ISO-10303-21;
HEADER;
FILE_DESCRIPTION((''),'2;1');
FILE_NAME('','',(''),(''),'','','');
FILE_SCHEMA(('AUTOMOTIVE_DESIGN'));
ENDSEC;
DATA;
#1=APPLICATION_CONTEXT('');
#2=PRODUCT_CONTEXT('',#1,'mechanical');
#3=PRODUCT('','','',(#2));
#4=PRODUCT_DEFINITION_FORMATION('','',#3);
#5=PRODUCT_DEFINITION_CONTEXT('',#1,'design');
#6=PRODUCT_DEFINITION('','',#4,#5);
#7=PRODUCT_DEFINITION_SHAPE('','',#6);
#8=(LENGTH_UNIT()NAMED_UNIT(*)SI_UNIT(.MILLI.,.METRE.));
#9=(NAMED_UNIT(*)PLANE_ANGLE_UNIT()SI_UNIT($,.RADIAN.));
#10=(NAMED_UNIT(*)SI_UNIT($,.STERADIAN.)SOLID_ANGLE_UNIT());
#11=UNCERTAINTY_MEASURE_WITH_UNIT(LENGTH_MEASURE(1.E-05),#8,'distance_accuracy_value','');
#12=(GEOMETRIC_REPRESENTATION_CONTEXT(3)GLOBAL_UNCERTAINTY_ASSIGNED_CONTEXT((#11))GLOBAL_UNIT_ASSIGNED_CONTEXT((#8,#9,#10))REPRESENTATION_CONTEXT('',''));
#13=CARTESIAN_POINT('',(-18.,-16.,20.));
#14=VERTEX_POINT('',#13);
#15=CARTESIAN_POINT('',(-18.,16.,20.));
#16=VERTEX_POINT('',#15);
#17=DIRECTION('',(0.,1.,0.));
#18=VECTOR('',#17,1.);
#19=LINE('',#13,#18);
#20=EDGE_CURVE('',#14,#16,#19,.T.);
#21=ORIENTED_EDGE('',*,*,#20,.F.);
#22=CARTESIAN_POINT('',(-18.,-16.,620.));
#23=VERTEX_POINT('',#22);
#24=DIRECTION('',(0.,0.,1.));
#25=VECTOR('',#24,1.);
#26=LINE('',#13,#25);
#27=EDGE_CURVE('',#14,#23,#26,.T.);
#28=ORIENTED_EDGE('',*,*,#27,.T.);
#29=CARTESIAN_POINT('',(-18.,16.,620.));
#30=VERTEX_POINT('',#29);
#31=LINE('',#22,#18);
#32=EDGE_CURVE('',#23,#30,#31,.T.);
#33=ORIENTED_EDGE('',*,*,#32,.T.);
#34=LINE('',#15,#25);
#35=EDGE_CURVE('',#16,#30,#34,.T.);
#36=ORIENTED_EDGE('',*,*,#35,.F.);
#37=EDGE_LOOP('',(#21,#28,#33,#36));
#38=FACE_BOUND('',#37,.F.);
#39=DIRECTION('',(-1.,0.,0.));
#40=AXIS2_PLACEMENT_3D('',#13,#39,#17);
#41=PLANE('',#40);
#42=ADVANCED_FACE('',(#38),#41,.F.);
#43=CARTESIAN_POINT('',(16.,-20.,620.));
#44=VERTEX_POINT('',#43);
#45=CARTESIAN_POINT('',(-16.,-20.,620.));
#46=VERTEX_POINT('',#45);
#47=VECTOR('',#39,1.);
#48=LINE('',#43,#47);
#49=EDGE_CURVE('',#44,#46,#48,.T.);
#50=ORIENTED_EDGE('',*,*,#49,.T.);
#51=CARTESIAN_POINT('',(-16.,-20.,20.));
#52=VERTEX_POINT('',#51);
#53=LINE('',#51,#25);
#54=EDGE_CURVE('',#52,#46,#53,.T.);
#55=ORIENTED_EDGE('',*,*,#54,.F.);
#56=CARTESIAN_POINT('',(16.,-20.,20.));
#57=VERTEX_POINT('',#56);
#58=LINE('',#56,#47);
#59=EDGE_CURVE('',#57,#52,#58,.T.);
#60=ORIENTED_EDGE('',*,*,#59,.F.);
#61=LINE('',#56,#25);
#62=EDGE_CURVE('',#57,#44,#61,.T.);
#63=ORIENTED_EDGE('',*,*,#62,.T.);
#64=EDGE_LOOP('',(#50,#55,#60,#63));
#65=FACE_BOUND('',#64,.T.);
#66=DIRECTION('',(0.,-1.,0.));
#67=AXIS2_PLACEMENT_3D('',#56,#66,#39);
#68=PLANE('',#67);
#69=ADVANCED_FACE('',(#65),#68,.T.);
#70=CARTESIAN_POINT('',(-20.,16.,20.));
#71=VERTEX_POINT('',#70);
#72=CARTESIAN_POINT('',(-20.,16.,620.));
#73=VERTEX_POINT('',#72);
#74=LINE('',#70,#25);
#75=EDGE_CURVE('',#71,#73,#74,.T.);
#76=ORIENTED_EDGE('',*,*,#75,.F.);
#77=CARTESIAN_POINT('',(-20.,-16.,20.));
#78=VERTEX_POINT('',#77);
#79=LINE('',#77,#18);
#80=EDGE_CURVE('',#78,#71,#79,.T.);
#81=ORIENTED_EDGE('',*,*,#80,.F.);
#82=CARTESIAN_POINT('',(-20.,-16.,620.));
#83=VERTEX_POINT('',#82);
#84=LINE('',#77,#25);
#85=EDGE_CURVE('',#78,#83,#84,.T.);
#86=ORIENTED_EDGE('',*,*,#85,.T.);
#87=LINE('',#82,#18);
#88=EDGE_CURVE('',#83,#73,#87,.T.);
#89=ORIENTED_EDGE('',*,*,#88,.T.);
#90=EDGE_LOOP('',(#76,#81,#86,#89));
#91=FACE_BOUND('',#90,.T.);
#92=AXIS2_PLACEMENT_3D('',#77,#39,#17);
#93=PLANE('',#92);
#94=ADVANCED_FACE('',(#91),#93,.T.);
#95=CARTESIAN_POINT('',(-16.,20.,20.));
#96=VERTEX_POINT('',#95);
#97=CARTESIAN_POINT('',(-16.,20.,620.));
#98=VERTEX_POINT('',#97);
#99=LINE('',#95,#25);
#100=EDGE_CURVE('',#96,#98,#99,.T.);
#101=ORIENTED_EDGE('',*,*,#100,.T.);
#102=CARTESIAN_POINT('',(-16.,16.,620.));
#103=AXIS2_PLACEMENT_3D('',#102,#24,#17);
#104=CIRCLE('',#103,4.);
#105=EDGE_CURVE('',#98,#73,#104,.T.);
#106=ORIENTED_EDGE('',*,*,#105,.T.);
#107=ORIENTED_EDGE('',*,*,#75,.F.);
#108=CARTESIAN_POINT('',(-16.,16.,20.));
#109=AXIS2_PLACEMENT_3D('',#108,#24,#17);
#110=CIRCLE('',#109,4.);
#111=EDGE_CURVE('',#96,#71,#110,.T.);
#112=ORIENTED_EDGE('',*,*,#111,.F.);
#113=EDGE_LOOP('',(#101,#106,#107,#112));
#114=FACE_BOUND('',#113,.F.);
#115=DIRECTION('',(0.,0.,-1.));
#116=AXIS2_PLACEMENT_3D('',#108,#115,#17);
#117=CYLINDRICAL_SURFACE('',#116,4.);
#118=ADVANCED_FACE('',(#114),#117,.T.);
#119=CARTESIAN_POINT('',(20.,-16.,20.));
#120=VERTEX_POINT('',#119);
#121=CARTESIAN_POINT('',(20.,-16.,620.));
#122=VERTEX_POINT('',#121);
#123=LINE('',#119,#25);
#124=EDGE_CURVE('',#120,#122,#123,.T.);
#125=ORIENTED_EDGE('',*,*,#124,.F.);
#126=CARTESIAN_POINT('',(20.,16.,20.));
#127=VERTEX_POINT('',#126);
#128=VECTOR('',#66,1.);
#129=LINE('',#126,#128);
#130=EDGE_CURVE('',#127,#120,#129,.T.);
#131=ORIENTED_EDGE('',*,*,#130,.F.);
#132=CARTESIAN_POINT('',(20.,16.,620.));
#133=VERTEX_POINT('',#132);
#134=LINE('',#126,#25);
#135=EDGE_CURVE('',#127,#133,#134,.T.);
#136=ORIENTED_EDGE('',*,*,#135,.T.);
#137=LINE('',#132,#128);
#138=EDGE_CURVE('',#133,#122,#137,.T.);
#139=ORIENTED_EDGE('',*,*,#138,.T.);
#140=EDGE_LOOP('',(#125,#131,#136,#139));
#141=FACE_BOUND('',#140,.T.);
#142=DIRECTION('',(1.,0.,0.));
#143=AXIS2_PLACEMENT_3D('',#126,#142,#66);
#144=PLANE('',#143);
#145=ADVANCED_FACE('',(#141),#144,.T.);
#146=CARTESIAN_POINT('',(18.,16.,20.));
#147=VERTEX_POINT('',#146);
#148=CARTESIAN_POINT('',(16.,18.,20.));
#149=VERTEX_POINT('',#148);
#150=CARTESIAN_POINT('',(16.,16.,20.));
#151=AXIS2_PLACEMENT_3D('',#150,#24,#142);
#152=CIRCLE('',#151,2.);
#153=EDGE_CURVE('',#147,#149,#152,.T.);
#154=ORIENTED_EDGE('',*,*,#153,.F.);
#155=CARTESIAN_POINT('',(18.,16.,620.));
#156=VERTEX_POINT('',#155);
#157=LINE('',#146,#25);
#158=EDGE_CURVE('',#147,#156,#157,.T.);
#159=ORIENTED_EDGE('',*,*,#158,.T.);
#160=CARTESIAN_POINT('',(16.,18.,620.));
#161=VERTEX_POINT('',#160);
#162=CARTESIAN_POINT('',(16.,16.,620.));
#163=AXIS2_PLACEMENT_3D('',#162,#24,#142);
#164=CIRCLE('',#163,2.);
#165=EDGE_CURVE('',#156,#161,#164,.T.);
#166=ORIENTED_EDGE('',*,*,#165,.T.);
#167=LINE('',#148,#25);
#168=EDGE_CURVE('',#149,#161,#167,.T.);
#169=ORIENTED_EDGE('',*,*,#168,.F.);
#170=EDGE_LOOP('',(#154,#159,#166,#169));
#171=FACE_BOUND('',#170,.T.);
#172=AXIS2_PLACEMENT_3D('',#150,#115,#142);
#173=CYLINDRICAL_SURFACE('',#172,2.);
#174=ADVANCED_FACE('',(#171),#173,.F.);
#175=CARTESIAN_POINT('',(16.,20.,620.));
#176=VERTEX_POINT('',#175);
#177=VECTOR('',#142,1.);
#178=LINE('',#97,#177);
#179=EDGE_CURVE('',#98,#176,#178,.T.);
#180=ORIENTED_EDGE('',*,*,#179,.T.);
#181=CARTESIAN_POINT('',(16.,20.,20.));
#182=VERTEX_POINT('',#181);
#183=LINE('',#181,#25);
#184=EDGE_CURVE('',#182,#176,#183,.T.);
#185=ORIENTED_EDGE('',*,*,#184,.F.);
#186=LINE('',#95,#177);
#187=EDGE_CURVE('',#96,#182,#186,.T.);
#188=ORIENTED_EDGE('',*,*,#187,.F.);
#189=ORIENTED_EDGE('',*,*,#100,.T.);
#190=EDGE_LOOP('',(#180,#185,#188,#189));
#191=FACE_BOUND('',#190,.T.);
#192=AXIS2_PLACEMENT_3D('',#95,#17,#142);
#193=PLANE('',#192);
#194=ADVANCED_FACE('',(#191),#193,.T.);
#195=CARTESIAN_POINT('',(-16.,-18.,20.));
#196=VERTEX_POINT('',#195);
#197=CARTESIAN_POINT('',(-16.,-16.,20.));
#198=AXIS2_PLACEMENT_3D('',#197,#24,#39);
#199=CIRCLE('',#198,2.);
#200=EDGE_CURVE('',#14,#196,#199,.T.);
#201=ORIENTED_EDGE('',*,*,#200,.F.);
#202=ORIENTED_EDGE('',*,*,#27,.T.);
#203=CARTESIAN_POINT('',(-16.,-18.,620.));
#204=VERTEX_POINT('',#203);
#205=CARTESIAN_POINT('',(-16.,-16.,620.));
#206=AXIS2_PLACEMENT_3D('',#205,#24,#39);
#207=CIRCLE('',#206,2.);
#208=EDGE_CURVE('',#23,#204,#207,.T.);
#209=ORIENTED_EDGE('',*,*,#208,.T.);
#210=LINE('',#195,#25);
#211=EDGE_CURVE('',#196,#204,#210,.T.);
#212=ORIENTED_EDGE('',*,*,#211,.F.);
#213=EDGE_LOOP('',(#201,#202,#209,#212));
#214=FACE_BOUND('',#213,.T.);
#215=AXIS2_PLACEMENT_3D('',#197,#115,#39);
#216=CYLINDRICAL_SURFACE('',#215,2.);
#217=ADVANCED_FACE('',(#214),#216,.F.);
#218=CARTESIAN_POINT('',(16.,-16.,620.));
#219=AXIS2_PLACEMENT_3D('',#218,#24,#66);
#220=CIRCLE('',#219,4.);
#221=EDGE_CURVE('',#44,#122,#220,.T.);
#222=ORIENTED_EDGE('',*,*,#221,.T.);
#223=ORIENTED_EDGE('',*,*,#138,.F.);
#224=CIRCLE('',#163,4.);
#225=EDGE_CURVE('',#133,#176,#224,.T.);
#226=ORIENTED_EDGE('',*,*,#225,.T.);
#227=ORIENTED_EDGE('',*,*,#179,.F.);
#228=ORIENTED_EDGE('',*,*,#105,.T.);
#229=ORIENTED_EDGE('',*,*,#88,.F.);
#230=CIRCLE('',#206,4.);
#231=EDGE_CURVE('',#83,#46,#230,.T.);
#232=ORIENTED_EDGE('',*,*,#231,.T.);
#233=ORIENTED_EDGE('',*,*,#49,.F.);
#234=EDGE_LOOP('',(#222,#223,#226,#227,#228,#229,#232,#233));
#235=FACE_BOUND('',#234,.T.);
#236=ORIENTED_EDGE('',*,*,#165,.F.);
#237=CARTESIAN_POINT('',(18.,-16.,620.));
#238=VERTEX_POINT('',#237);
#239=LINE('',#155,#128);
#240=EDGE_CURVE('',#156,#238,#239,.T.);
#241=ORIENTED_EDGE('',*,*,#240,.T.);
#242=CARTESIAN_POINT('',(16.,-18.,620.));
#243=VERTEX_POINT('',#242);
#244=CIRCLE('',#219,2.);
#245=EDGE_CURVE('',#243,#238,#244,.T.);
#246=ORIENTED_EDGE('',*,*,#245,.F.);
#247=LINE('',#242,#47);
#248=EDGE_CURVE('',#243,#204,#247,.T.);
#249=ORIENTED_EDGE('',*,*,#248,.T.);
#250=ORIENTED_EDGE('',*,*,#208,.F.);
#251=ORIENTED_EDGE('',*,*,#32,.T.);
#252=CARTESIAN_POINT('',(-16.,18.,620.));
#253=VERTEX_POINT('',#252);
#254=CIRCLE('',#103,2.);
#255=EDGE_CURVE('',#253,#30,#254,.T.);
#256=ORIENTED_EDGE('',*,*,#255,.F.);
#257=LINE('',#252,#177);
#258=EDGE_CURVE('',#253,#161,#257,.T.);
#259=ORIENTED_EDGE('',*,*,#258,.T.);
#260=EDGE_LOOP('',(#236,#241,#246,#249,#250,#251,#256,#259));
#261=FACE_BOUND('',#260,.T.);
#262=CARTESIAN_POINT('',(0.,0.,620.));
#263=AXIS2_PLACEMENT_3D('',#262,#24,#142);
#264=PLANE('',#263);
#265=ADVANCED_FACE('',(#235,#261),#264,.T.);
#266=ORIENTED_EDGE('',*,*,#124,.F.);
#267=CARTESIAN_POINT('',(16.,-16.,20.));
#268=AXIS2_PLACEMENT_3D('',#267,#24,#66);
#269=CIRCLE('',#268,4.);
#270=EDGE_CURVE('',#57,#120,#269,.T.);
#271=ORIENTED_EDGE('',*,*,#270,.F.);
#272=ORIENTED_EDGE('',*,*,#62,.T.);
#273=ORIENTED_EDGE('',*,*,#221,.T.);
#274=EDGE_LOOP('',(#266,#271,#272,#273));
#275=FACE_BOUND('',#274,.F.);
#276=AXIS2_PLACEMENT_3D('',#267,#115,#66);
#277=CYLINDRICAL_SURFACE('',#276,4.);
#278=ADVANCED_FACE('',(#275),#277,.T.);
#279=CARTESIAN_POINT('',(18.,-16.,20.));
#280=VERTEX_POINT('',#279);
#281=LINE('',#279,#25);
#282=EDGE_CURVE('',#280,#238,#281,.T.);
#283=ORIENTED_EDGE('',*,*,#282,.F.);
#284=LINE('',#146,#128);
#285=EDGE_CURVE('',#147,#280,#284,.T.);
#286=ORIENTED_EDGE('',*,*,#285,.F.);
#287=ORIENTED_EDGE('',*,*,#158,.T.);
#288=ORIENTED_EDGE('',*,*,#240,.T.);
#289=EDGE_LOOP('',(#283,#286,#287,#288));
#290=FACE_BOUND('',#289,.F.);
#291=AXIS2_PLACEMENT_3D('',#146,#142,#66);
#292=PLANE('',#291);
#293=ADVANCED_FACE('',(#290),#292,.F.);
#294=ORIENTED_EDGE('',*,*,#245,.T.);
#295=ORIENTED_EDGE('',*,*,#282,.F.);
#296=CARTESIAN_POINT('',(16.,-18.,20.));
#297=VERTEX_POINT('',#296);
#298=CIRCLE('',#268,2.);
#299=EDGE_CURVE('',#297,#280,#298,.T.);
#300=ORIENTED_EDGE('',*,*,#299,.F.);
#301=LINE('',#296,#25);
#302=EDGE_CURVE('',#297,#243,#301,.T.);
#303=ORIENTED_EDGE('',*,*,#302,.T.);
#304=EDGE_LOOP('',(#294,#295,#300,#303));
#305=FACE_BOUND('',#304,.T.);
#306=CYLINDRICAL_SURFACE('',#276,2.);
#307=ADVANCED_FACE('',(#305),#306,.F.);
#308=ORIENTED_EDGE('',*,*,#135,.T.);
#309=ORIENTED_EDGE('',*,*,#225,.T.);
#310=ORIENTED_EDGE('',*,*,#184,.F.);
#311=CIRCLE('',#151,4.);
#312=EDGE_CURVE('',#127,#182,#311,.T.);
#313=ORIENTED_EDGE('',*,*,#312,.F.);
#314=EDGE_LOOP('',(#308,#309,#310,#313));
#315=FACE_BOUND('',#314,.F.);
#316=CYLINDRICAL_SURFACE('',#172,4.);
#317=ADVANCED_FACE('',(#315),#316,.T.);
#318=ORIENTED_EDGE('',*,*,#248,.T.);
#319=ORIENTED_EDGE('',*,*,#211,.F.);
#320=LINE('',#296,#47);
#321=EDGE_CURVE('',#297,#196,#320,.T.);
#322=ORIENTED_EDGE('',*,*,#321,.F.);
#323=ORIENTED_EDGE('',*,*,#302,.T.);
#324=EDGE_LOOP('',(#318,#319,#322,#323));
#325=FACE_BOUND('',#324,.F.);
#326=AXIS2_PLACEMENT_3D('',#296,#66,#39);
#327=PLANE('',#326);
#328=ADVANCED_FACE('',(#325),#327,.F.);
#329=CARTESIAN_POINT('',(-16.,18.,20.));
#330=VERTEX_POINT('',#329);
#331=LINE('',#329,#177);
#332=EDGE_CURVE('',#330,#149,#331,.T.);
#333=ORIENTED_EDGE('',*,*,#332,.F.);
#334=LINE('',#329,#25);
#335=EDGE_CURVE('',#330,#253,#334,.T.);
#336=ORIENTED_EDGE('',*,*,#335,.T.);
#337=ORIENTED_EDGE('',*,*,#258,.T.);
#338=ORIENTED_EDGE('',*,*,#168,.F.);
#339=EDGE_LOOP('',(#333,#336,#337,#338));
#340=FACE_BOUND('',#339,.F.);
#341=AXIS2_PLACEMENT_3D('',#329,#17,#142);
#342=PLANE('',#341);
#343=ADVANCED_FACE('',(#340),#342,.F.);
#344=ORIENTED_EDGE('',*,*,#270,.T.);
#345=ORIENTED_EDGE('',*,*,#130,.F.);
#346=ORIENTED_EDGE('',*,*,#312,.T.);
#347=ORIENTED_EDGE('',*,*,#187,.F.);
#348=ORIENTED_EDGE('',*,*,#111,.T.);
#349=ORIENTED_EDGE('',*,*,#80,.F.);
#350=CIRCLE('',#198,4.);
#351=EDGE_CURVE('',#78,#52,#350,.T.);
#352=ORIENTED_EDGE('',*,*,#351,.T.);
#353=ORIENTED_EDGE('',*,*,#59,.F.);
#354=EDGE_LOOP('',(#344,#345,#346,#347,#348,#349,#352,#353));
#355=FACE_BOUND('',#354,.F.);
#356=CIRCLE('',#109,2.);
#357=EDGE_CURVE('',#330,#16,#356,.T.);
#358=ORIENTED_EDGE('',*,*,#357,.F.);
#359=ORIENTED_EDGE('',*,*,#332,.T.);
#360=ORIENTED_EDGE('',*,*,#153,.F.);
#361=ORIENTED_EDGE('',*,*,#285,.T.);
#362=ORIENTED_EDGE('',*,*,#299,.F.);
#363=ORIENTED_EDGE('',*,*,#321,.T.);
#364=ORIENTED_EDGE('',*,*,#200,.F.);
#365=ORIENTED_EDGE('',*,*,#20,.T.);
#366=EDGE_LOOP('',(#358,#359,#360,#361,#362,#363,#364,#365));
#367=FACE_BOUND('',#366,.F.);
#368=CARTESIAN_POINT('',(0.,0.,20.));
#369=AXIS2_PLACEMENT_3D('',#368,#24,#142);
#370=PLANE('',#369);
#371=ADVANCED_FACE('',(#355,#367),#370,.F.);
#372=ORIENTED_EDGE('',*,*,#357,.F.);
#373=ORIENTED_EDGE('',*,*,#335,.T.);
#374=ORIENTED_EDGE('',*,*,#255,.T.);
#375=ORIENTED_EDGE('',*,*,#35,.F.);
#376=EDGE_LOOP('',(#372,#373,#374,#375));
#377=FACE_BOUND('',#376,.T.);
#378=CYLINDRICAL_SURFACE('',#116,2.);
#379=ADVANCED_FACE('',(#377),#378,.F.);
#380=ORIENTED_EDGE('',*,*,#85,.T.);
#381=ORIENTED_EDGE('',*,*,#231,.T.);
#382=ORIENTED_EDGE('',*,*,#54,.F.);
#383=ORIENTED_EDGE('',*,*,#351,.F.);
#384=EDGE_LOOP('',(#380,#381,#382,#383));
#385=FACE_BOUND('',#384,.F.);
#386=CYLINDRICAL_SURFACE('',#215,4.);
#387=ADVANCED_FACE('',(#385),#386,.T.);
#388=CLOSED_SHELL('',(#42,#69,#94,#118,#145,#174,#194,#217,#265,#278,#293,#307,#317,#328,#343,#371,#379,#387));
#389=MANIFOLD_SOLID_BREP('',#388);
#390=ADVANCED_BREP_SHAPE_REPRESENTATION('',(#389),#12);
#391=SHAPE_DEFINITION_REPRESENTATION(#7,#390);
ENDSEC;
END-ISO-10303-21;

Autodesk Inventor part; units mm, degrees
ref_plane "YZ Plane" through (0, 0, 0) normal (1, 0, 0) x (0, 1, 0)
ref_plane "Start Plane" through (0, 0, 20) normal (0, 0, 1) x (1, 0, 0)
ref_plane "End Plane" through (0, 0, 620) normal (0, 0, 1) x (1, 0, 0)
sketch "Sketch" plane through (0, 0, 0) normal (0, 0, 1) x (1, 0, 0)
  line L0 (-20, -16) -> (-20, 16)
  line L1 (-16, 20) -> (16, 20)
  line L2 (20, 16) -> (20, -16)
  line L3 (16, -20) -> (-16, -20)
  arc A0 (-20, -16) -> (-16, -20) centre (-16, -16) ccw
  arc A1 (20, 16) -> (16, 20) centre (16, 16) ccw
  arc A2 (-16, 20) -> (-20, 16) centre (-16, 16) ccw
  arc A3 (16, -20) -> (20, -16) centre (16, -16) ccw
  arc A4 (-16, 18) -> (-18, 16) centre (-16, 16) ccw
  line L4 (-16, 18) -> (16, 18)
  arc A5 (18, 16) -> (16, 18) centre (16, 16) ccw
  line L5 (18, 16) -> (18, -16)
  arc A6 (16, -18) -> (18, -16) centre (16, -16) ccw
  line L6 (16, -18) -> (-16, -18)
  arc A7 (-18, -16) -> (-16, -18) centre (-16, -16) ccw
  line L7 (-18, -16) -> (-18, 16)
  line L8 (0, 29.1598) -> (0, -29.1598) construction
  line L9 (-29.1598, 0) -> (29.1598, 0) construction
  dimension "d7" = 4
  dimension "d9" = 40
  dimension "d11" = 40
  dimension "d12" = 2
  dimension "d15" = 20
  dimension "d16" = 20
extrude "Body" add sketch "Sketch" along normal up to surface (600 mm away) from surface at 20
sketch "Sketch3" plane through (0, 0, 0) normal (0, 0, 1) x (1, 0, 0)
  line L0 (0, 0) -> (10, 0)
ref_plane "Work Plane3" through (0, 0, 0) normal (0, -1, 0) x (1, 0, 0)
sketch "Sketch4" plane through (0, 0, 0) normal (0, -1, 0) x (1, 0, 0)
  line L0 (-2, 20) -> (12, 20) projected
  line L1 (-2, 620) -> (12, 620) projected
  dimension "d18" = 600
equation "\"d7\" = G_IR"
equation "\"d9\" = G_W"
equation "\"d11\" = G_H"
equation "\"d12\" = G_T"
equation "\"d15\" = 0.5 * d9"
equation "\"d16\" = 0.5 * d11"
equation "\"d3\" = G_L"
equation "\"G_W\" = 40"
equation "\"G_H\" = 40"
equation "\"G_T\" = 2"
equation "\"G_IR\" = 4"
equation "\"G_L\" = d18"
properties part number "ISO 10799-2 - 40x40x2 - 600" material "Steel, Mild"
